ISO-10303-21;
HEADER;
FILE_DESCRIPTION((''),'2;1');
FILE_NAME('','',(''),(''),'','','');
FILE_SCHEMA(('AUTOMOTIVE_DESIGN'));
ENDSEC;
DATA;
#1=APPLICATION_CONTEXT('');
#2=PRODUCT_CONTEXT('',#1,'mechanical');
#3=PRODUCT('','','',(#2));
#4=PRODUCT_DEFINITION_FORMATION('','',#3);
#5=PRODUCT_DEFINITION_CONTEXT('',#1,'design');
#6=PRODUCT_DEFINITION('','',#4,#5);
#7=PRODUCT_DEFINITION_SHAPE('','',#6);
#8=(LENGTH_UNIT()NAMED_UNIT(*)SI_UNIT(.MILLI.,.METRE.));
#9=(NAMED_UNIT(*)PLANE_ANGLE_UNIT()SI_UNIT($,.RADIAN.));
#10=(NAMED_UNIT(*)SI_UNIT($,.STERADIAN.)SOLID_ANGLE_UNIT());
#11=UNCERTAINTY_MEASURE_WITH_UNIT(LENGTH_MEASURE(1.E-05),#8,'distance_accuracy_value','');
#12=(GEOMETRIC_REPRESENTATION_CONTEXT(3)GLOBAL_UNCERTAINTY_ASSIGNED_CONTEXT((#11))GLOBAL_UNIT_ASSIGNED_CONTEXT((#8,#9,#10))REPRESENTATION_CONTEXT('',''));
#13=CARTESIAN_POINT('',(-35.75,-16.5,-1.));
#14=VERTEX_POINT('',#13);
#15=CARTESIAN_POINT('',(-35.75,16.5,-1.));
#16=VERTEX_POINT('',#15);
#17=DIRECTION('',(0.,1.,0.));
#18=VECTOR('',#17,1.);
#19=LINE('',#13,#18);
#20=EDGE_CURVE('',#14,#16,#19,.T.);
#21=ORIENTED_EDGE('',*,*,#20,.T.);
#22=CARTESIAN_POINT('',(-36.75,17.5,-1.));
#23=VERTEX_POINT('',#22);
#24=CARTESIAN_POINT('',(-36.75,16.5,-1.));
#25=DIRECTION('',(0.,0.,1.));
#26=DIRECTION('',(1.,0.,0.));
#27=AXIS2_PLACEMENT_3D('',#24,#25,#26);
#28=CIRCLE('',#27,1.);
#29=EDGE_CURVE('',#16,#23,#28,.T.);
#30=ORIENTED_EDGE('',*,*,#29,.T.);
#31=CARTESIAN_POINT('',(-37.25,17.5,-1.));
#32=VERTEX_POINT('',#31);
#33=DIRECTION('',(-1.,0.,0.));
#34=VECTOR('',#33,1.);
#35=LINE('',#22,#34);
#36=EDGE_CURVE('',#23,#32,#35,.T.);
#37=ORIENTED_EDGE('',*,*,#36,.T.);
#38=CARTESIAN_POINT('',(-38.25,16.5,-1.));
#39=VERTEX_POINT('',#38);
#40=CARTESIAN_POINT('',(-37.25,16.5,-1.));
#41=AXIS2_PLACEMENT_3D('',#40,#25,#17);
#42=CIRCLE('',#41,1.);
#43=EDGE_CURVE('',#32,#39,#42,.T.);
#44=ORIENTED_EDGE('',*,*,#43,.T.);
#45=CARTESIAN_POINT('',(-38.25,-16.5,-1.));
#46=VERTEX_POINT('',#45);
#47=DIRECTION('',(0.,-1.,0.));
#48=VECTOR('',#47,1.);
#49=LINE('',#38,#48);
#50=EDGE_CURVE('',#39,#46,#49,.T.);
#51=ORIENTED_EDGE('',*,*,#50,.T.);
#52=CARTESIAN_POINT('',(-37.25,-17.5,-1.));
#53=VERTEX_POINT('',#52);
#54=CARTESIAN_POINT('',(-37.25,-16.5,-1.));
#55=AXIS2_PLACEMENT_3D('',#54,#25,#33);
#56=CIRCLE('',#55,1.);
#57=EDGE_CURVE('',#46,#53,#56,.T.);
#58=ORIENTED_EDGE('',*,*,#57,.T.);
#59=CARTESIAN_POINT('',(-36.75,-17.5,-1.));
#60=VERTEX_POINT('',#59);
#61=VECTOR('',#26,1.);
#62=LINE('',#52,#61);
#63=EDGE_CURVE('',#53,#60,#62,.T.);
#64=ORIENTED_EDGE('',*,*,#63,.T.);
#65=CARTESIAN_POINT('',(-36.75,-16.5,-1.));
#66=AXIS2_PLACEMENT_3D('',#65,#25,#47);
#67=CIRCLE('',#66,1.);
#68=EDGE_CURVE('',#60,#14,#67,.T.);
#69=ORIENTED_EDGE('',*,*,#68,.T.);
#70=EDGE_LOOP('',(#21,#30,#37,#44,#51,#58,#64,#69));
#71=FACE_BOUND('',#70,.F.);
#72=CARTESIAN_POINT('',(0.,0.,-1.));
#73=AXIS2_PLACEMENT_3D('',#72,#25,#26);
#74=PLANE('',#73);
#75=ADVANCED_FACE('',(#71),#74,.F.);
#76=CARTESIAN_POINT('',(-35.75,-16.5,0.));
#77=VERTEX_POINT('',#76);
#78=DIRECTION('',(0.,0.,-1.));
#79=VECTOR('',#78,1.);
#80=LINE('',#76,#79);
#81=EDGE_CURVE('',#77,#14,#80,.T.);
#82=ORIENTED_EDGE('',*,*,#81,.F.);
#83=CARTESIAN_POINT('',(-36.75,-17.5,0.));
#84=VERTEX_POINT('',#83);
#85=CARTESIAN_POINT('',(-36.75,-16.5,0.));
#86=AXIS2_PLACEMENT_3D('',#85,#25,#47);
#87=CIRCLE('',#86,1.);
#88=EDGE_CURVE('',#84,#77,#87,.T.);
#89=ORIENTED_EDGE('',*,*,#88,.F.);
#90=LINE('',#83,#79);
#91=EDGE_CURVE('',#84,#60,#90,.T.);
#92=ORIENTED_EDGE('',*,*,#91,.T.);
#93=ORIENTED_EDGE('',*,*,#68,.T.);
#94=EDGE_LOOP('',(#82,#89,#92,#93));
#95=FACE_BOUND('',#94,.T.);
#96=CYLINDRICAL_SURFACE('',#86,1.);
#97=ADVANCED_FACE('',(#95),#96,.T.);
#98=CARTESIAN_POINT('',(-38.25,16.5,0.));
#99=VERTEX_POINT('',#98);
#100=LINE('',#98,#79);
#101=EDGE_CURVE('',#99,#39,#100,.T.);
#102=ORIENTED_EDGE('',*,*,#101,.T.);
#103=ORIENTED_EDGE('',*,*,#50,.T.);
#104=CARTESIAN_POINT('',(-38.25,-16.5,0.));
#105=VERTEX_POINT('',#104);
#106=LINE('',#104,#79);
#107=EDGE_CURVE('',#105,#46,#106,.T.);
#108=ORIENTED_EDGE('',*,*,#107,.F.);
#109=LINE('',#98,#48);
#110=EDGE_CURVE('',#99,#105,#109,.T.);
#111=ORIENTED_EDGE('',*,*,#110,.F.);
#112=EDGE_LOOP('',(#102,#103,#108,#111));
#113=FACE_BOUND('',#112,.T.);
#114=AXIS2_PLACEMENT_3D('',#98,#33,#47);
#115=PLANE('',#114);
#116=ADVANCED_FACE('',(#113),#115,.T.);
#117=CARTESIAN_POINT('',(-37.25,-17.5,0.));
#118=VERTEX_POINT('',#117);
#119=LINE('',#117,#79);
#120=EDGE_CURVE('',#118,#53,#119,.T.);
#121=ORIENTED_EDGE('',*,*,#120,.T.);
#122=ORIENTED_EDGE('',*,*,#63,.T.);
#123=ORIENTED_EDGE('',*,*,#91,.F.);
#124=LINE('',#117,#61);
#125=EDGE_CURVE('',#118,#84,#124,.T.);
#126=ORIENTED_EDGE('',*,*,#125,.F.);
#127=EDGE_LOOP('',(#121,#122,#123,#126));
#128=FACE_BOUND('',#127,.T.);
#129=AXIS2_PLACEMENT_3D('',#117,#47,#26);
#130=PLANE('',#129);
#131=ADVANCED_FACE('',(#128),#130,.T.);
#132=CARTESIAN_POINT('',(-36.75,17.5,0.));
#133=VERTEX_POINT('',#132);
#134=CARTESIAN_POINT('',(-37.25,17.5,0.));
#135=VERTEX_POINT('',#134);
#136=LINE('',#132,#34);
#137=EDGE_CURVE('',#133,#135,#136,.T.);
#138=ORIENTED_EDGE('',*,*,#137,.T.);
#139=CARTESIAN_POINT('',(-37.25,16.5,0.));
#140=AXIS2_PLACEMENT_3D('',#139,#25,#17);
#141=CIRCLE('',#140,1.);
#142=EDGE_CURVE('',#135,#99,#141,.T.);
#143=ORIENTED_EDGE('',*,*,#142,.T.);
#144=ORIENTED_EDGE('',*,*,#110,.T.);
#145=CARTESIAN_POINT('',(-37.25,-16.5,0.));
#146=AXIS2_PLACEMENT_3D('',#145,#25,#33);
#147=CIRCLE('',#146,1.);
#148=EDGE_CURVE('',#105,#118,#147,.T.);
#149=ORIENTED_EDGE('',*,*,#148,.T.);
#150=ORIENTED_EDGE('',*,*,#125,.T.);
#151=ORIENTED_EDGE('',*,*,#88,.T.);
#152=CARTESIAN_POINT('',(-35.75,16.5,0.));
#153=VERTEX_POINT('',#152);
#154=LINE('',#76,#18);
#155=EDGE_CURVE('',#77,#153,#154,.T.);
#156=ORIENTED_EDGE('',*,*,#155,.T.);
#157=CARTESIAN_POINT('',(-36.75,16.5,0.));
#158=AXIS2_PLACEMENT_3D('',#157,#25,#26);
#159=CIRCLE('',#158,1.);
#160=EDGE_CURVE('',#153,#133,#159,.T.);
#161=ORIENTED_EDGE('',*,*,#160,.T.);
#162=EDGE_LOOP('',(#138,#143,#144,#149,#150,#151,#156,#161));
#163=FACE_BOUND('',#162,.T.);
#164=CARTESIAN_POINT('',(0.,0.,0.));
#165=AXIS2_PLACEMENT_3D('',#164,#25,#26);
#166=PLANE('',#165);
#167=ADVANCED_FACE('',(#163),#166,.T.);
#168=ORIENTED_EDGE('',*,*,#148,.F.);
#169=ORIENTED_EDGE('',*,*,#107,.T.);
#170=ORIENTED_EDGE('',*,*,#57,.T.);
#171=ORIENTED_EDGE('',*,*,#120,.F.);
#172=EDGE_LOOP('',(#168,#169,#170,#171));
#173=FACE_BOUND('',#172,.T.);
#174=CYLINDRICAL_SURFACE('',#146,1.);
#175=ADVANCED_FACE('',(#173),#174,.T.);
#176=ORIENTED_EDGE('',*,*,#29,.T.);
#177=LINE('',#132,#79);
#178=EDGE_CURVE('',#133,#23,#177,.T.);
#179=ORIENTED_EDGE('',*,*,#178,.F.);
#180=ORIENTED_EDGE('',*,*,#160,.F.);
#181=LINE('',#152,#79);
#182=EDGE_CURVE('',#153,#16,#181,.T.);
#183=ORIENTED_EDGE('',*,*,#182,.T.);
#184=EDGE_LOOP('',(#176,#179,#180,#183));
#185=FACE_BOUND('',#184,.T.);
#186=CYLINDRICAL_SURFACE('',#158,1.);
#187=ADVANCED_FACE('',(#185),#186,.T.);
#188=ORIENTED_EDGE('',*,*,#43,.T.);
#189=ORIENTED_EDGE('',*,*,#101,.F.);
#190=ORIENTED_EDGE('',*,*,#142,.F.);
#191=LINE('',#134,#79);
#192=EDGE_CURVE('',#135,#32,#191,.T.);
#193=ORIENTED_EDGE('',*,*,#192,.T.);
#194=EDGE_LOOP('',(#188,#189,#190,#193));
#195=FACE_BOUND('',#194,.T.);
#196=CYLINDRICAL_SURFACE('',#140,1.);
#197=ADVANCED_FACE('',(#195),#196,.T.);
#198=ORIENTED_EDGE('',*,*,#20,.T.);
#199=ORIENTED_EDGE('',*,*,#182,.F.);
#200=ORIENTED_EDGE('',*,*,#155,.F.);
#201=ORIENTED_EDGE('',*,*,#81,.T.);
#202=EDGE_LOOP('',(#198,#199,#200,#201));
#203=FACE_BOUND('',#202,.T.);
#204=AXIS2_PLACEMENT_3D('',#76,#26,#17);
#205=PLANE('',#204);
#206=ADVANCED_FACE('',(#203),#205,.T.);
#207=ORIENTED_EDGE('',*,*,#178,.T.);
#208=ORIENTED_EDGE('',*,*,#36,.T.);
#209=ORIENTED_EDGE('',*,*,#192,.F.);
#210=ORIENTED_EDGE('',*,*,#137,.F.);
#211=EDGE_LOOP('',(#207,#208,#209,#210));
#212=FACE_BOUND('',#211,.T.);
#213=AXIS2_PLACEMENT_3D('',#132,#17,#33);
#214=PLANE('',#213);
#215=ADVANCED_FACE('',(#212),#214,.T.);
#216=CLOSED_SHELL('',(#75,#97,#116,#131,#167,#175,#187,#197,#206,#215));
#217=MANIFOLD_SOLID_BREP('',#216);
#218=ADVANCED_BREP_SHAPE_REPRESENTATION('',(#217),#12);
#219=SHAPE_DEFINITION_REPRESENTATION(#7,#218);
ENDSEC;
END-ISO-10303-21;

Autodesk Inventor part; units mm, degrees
ref_plane "YZ Plane" through (0, 0, 0) normal (1, 0, 0) x (0, 1, 0)
ref_plane "Work Plane3" through (0, 0, 0) normal (0, 0, 1) x (1, 0, 0)
sketch "Sketch1" plane through (0, 0, 0) normal (0, 0, 1) x (1, 0, 0)
  line L0 (-60, 40) -> (60, 40) projected
  line L1 (-60, -40) -> (-60, 40) projected
  line L2 (-60, -40) -> (60, -40) projected
  line L3 (60, 40) -> (60, -40) projected
  circle A0 centre (-46, -15) radius 2 projected
  circle A1 centre (-46, 15) radius 2 projected
  circle A2 centre (-46, 5) radius 2 projected
  circle A3 centre (-46, -5) radius 2 projected
  circle A4 centre (-3, 0) radius 24 projected
  line L4 (-38.25, 16.5) -> (-38.25, -16.5) projected
  arc A5 (-37.25, 17.5) -> (-38.25, 16.5) centre (-37.25, 16.5) ccw projected
  line L5 (-36.75, 17.5) -> (-37.25, 17.5) projected
  arc A6 (-35.75, 16.5) -> (-36.75, 17.5) centre (-36.75, 16.5) ccw projected
  line L6 (-35.75, -16.5) -> (-35.75, 16.5) projected
  arc A7 (-36.75, -17.5) -> (-35.75, -16.5) centre (-36.75, -16.5) ccw projected
  line L7 (-37.25, -17.5) -> (-36.75, -17.5) projected
  arc A8 (-38.25, -16.5) -> (-37.25, -17.5) centre (-37.25, -16.5) ccw projected
  arc A9 (47, 6.4964) -> (46.6925, 7.2389) centre (45.95, 6.4964) ccw projected
  line L8 (47, 1.3036) -> (47, 6.4964) projected
  arc A10 (46.6925, 0.5611) -> (47, 1.3036) centre (45.95, 1.3036) ccw projected
  line L9 (46.0889, -0.0425) -> (46.6925, 0.5611) projected
  arc A11 (45.3464, -0.35) -> (46.0889, -0.0425) centre (45.3464, 0.7) ccw projected
  line L10 (44.6, -0.35) -> (45.3464, -0.35) projected
  arc A12 (43.55, 0.7) -> (44.6, -0.35) centre (44.6, 0.7) ccw projected
  line L11 (43.55, 7.1) -> (43.55, 0.7) projected
  arc A13 (44.6, 8.15) -> (43.55, 7.1) centre (44.6, 7.1) ccw projected
  line L12 (45.3464, 8.15) -> (44.6, 8.15) projected
  arc A14 (46.0889, 7.8425) -> (45.3464, 8.15) centre (45.3464, 7.1) ccw projected
  line L13 (46.6925, 7.2389) -> (46.0889, 7.8425) projected
  arc A15 (46.0889, 20.4425) -> (45.3464, 20.75) centre (45.3464, 19.7) ccw projected
  line L14 (46.6925, 19.8389) -> (46.0889, 20.4425) projected
  arc A16 (47, 19.0964) -> (46.6925, 19.8389) centre (45.95, 19.0964) ccw projected
  line L15 (47, 13.9036) -> (47, 19.0964) projected
  arc A17 (46.6925, 13.1611) -> (47, 13.9036) centre (45.95, 13.9036) ccw projected
  line L16 (46.0889, 12.5575) -> (46.6925, 13.1611) projected
  arc A18 (45.3464, 12.25) -> (46.0889, 12.5575) centre (45.3464, 13.3) ccw projected
  line L17 (44.6, 12.25) -> (45.3464, 12.25) projected
  arc A19 (43.55, 13.3) -> (44.6, 12.25) centre (44.6, 13.3) ccw projected
  line L18 (43.55, 19.7) -> (43.55, 13.3) projected
  arc A20 (44.6, 20.75) -> (43.55, 19.7) centre (44.6, 19.7) ccw projected
  line L19 (45.3464, 20.75) -> (44.6, 20.75) projected
  arc A21 (44.9066, -31.2) -> (45.7117, -30.824) centre (44.9066, -30.15) ccw projected
  line L20 (43.6, -31.2) -> (44.9066, -31.2) projected
  arc A22 (42.55, -30.15) -> (43.6, -31.2) centre (43.6, -30.15) ccw projected
  line L21 (42.55, -20.05) -> (42.55, -30.15) projected
  arc A23 (43.6, -19) -> (42.55, -20.05) centre (43.6, -20.05) ccw projected
  line L22 (44.9066, -19) -> (43.6, -19) projected
  arc A24 (45.7117, -19.376) -> (44.9066, -19) centre (44.9066, -20.05) ccw projected
  line L23 (46.5051, -20.3236) -> (45.7117, -19.376) projected
  arc A25 (46.75, -20.9977) -> (46.5051, -20.3236) centre (45.7, -20.9977) ccw projected
  line L24 (46.75, -29.2023) -> (46.75, -20.9977) projected
  arc A26 (46.5051, -29.8764) -> (46.75, -29.2023) centre (45.7, -29.2023) ccw projected
  line L25 (45.7117, -30.824) -> (46.5051, -29.8764) projected
  point P0 (0, 0)
ref_plane "Work Plane2" through (-58, -38, -1) normal (0, 0, -1) x (0, 1, 0)
extrude "Extrusion1" add sketch "Sketch1" against normal up to surface (1 mm away) contours A5 L5 A6 L6 A7 L7 A8 L4
properties part number "Microphone_hole_plug"
